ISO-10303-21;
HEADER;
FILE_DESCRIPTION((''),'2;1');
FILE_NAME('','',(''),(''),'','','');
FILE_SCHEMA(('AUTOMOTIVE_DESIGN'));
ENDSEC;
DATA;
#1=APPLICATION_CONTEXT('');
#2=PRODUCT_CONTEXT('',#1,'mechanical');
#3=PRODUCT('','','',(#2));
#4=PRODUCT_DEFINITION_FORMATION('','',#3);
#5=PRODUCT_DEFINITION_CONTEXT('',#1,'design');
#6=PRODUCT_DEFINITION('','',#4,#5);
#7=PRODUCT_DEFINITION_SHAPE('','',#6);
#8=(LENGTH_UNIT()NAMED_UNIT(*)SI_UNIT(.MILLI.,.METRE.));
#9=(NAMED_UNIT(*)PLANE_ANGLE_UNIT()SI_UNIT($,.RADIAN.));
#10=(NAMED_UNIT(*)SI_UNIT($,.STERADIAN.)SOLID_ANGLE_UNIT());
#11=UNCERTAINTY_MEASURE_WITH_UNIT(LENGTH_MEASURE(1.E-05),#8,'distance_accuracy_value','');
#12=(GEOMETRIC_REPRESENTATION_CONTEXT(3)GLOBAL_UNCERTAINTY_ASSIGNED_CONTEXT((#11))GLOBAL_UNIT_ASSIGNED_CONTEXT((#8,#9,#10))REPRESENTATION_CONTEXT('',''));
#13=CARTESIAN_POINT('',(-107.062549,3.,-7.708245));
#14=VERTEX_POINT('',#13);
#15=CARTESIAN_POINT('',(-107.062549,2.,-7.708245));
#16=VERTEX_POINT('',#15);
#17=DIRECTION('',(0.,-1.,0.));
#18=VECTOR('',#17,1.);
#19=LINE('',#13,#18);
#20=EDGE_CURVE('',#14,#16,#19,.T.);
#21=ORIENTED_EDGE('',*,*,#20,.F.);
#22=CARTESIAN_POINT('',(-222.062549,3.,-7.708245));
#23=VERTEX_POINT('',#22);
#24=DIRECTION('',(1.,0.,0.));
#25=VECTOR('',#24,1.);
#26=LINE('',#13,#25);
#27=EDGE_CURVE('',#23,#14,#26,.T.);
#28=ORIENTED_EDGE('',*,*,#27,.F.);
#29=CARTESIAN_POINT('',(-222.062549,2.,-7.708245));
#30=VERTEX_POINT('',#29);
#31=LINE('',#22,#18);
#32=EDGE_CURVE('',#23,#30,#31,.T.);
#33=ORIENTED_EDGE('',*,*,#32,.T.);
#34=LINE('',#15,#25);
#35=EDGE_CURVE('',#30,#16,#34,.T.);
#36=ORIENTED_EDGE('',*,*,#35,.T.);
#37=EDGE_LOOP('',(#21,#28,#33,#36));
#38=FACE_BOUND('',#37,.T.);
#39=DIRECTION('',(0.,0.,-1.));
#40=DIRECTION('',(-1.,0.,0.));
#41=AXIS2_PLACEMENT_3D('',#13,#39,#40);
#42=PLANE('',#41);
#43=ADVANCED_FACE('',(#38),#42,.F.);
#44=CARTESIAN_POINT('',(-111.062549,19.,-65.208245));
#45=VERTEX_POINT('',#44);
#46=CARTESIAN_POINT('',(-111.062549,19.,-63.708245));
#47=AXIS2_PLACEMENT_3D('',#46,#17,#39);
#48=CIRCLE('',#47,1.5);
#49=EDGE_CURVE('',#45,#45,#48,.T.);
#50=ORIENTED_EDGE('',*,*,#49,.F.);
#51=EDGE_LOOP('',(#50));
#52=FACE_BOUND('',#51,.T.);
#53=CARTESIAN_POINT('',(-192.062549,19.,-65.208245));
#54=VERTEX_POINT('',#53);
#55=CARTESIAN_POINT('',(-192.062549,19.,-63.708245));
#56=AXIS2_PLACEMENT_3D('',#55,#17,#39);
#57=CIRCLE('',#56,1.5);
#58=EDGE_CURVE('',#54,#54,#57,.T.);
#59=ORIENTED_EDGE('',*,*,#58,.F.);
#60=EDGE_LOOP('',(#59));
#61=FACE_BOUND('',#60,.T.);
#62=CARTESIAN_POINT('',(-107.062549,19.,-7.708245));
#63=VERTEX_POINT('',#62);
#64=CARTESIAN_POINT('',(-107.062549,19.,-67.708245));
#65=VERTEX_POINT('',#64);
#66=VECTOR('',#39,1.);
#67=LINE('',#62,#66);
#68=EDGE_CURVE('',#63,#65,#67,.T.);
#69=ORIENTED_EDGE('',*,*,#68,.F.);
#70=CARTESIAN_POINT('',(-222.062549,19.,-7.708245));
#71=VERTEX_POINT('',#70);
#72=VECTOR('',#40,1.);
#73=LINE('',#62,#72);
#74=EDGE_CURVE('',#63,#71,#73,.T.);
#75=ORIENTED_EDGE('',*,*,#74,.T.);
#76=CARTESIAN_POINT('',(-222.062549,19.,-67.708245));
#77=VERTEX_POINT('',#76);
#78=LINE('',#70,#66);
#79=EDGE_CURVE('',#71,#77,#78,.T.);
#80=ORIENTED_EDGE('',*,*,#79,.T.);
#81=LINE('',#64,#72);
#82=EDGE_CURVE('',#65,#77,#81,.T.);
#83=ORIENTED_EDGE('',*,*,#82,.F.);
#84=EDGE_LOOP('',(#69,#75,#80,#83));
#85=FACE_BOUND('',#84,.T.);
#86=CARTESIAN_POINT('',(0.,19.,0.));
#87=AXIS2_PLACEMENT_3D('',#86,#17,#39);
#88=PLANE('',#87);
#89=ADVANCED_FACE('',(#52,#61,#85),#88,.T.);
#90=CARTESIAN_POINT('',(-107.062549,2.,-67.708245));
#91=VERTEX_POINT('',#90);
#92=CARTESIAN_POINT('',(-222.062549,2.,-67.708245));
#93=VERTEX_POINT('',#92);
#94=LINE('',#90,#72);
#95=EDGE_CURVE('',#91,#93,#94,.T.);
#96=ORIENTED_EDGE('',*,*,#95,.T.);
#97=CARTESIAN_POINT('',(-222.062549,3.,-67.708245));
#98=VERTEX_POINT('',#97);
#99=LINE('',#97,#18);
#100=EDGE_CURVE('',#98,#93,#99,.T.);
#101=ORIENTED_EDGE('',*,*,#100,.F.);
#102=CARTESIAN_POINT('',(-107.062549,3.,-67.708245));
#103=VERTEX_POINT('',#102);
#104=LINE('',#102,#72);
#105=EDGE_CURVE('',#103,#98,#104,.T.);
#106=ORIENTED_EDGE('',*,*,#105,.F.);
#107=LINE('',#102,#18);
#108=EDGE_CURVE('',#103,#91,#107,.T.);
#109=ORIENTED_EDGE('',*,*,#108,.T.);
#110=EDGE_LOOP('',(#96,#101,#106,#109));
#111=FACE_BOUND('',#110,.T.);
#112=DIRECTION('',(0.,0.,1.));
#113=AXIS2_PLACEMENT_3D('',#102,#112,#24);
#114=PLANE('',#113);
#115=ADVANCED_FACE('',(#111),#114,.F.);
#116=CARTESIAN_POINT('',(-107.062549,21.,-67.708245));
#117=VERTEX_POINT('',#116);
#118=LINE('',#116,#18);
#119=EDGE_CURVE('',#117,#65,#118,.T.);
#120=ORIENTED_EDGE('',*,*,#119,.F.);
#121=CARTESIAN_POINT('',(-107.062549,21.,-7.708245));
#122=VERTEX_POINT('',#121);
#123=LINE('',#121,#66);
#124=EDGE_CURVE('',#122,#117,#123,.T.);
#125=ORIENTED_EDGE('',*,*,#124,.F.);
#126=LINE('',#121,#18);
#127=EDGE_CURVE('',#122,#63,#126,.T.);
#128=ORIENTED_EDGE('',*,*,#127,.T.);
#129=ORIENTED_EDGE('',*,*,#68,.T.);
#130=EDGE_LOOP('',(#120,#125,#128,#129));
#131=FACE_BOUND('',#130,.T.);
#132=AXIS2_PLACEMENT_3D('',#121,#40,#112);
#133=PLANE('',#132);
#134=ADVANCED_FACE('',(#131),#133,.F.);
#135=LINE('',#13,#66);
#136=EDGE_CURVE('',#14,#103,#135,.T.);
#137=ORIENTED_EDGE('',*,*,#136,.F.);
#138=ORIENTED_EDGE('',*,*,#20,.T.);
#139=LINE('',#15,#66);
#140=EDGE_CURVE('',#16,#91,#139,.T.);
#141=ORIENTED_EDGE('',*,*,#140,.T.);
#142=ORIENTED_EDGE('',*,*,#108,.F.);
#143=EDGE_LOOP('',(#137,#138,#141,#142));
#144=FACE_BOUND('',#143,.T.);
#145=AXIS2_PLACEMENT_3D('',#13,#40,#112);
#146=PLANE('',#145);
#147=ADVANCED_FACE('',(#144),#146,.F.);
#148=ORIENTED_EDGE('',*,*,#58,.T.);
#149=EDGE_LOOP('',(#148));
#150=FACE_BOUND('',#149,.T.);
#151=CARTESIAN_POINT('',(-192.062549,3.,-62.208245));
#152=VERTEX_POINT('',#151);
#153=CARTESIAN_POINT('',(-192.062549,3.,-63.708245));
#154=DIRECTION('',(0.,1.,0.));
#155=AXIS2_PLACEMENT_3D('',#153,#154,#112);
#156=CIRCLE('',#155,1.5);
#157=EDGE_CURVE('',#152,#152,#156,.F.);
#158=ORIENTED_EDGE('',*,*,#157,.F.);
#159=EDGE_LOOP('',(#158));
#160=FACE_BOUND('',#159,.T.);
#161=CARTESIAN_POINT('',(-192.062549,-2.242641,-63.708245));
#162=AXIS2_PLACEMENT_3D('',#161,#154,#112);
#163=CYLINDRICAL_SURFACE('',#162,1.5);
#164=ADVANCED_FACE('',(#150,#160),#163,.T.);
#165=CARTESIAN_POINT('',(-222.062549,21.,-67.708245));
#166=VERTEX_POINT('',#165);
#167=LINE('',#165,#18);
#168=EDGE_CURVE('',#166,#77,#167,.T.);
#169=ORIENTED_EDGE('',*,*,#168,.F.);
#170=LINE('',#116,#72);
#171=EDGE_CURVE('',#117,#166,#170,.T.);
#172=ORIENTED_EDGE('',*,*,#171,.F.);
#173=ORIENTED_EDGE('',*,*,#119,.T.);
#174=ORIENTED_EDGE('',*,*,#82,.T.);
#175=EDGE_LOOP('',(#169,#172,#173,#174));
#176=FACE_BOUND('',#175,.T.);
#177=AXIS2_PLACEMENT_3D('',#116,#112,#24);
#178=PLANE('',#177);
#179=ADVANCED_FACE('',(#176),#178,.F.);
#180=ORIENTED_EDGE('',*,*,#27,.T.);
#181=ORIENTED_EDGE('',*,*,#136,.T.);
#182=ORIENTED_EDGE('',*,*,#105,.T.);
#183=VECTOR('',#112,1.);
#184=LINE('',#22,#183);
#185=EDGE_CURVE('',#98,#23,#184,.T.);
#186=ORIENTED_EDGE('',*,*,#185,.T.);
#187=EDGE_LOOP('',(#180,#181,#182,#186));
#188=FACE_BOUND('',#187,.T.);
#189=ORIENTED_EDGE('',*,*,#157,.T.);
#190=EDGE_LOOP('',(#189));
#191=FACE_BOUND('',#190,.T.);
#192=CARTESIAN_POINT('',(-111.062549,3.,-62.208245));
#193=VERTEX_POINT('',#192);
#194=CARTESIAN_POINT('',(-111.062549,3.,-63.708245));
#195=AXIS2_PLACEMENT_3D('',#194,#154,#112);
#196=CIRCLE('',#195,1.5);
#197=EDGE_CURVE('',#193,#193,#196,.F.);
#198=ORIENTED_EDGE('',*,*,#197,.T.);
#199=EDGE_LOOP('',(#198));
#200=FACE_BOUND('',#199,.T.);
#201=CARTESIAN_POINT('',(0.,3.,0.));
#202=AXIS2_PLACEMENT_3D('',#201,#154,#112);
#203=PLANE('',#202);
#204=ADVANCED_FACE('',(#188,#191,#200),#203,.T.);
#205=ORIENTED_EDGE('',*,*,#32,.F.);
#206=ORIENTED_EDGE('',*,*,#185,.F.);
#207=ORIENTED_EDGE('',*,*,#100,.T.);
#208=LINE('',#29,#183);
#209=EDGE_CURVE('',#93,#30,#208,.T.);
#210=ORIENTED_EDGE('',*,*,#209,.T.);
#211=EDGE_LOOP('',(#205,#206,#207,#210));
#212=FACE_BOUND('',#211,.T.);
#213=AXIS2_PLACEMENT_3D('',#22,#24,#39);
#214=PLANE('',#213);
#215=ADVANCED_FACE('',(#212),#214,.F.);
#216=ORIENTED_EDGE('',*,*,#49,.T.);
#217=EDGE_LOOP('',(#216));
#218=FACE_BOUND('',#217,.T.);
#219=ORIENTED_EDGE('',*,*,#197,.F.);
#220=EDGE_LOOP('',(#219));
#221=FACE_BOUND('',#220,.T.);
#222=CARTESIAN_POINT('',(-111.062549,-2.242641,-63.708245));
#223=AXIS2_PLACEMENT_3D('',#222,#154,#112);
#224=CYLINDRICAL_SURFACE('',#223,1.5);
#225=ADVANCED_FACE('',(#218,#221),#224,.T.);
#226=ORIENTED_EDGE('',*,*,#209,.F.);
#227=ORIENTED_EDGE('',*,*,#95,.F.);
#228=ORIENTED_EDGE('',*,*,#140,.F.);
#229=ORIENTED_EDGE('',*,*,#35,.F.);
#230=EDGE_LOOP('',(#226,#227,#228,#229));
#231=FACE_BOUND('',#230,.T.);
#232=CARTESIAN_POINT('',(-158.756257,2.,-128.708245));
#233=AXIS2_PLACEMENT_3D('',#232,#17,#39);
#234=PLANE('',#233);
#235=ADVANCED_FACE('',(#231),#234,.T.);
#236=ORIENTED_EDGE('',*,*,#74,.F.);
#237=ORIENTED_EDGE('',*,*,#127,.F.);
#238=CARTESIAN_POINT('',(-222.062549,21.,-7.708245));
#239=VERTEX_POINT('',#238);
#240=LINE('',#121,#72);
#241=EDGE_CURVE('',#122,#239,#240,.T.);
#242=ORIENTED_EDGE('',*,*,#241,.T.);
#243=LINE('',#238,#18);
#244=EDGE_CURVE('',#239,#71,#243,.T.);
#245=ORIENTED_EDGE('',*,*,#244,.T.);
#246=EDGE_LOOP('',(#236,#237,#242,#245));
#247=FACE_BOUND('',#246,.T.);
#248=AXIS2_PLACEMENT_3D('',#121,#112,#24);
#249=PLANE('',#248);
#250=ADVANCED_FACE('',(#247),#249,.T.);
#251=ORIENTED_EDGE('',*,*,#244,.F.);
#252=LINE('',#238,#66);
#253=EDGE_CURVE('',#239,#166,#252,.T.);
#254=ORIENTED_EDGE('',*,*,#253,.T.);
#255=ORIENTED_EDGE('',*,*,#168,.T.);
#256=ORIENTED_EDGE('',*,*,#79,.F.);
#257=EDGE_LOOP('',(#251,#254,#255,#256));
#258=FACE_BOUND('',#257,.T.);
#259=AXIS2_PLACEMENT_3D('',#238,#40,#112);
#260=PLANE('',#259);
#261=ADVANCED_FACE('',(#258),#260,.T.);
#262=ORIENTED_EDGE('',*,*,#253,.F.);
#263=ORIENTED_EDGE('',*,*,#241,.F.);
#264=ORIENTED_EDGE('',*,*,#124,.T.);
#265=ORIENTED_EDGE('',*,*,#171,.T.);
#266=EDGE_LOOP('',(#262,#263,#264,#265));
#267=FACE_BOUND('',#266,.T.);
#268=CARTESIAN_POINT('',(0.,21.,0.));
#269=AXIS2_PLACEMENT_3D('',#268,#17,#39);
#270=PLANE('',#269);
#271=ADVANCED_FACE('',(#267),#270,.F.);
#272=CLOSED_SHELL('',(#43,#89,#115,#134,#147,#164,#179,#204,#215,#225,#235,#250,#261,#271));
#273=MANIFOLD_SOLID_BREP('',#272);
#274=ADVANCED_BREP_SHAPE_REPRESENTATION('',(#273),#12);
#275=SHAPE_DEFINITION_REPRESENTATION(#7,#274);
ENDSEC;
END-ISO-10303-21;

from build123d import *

# Parameters (mm, degrees)
ESTRUSIONE_ESTRUSIONE1_START = 17
SCHIZZO1_W                   = 115
SCHIZZO1_H                   = 60
ESTRUSIONE_ESTRUSIONE1_DEPTH = 2
SCHIZZO5_R                   = 1.5
ESTRUSIONE_ESTRUSIONE2_DEPTH = 19
SCHIZZO6_R                   = 1.5
ESTRUSIONE_ESTRUSIONE3_DEPTH = 19
SCHIZZO1_3_W                 = 115
SCHIZZO1_3_H                 = 60
ESTRUSIONE_ESTRUSIONE4_DEPTH = 1


with BuildPart() as part:
    # Schizzo1 → Estrusione-Estrusione1 (new body)
    with BuildSketch(Plane(origin=(0, 2, 0), x_dir=(1, 0, 0), z_dir=(0, 1, 0)).offset(ESTRUSIONE_ESTRUSIONE1_START)):
        with Locations((-164.562548693, 37.708245302)):
            Rectangle(SCHIZZO1_W, SCHIZZO1_H)
    extrude(amount=ESTRUSIONE_ESTRUSIONE1_DEPTH)

    # Schizzo5 → Estrusione-Estrusione2 (add)
    with BuildSketch(Plane(origin=(0, 21, 0), x_dir=(1, 0, 0), z_dir=(0, 1, 0))):
        with Locations((-111.062548693, 63.708245302)):
            Circle(SCHIZZO5_R)
    extrude(amount=-ESTRUSIONE_ESTRUSIONE2_DEPTH)

    # Schizzo6 → Estrusione-Estrusione3 (add)
    with BuildSketch(Plane(origin=(0, 21, 0), x_dir=(1, 0, 0), z_dir=(0, 1, 0))):
        with Locations((-192.062548693, 63.708245302)):
            Circle(SCHIZZO6_R)
    extrude(amount=-ESTRUSIONE_ESTRUSIONE3_DEPTH)

    # Schizzo1<3> → Estrusione-Estrusione4 (add)
    with BuildSketch(Plane(origin=(0, 2, 0), x_dir=(1, 0, 0), z_dir=(0, 1, 0))):
        with Locations((-164.562548693, 37.708245302)):
            Rectangle(SCHIZZO1_3_W, SCHIZZO1_3_H)
    extrude(amount=ESTRUSIONE_ESTRUSIONE4_DEPTH)


solid = part.part
